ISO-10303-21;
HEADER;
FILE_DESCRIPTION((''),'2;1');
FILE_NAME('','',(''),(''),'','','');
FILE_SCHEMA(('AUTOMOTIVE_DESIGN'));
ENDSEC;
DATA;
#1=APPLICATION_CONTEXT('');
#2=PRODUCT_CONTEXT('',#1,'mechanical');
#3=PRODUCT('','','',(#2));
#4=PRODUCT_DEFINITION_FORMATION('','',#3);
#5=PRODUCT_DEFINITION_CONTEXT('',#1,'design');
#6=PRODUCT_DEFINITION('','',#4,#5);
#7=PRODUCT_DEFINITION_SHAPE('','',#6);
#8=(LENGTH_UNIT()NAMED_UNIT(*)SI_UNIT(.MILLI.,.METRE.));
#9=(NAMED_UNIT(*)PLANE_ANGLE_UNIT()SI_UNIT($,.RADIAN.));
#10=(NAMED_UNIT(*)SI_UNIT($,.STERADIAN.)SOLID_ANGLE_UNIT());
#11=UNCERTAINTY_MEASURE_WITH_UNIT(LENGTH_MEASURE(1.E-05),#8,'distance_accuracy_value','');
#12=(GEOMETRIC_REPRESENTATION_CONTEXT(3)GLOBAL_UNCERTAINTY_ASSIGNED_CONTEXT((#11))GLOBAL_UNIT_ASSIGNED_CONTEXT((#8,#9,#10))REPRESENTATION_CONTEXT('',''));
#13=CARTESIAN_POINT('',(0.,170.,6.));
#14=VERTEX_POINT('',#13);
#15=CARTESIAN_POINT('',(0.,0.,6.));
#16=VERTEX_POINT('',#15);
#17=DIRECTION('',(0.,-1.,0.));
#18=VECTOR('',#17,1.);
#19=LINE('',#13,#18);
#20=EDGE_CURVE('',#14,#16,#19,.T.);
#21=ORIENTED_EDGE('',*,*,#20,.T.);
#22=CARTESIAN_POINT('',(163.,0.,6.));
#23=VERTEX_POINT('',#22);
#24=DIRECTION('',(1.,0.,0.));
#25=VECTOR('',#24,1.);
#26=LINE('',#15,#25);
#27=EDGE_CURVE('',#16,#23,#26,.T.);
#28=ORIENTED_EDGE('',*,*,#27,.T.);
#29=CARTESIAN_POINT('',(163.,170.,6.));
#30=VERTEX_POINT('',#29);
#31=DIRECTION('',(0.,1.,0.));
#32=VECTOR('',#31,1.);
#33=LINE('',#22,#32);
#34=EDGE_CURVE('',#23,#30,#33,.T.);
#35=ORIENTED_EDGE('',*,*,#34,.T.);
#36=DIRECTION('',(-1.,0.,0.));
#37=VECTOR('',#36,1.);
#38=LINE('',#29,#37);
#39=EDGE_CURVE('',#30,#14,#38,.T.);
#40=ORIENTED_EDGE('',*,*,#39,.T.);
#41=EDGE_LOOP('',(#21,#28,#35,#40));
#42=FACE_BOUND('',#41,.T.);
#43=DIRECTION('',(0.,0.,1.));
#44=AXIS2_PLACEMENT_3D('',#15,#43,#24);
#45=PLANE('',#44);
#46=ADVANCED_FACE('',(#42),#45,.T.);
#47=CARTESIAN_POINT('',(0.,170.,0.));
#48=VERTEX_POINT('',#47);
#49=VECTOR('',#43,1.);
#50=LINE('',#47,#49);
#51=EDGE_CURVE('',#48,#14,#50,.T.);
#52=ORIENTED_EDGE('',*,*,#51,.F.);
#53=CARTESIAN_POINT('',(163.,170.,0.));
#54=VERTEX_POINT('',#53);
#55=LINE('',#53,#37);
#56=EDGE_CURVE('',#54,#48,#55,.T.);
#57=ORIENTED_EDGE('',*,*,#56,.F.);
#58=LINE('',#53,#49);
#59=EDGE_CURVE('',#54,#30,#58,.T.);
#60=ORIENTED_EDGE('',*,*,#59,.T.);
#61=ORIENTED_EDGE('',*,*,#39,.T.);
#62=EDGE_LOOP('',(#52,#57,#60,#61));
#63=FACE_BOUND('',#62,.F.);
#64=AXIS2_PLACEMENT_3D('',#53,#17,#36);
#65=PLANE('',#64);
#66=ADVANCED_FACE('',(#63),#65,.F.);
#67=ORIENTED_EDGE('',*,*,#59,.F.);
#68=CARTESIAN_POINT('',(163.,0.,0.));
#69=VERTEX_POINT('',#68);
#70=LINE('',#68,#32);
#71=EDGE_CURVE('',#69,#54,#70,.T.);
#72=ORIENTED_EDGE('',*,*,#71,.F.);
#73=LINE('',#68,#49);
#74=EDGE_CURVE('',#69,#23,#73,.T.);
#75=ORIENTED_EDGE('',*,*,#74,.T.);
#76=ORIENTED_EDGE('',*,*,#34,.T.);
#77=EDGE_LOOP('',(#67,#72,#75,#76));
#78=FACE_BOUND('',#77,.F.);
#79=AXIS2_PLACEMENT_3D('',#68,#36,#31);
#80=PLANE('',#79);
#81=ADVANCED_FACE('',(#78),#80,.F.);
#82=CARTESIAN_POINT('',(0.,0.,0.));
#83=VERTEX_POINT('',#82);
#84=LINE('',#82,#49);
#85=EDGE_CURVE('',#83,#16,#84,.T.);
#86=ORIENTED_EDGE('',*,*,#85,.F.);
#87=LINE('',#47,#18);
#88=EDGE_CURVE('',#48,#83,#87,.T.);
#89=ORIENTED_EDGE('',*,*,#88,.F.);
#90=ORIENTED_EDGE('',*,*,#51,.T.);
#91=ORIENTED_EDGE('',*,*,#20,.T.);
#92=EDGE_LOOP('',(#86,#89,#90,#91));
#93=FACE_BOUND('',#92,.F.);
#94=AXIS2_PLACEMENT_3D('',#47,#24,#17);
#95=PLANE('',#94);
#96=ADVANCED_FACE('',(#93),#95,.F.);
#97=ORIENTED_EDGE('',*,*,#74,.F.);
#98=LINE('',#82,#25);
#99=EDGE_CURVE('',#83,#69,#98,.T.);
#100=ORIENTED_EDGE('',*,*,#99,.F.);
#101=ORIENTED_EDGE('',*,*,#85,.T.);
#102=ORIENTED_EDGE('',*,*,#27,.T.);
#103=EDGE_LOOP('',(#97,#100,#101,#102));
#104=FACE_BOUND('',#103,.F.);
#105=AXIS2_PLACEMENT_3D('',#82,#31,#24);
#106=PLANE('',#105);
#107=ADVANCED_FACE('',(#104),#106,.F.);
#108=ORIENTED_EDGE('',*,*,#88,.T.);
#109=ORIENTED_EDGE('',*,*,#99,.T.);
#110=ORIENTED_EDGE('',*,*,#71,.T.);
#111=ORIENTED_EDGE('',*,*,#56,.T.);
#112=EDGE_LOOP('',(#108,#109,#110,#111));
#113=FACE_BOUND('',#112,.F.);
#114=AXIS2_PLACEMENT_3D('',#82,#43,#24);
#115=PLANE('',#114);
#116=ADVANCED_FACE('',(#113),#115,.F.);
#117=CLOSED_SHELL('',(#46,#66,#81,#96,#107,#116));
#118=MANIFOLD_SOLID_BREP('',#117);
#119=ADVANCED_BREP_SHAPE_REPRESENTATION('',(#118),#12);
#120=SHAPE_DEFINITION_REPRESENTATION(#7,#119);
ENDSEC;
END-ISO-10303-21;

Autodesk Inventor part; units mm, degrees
ref_plane "YZ Plane" through (0, 0, 0) normal (1, 0, 0) x (0, 1, 0)
ref_plane "XZ Plane" through (0, 0, 0) normal (0, 1, 0) x (-1, 0, 0)
ref_plane "XY Plane" through (0, 0, 0) normal (0, 0, 1) x (1, 0, 0)
sketch "Sketch1" plane through (0, 0, 0) normal (0, 0, 1) x (1, 0, 0)
  line L0 (0, 0) -> (163, 0)
  line L1 (163, 0) -> (163, 170)
  line L2 (163, 170) -> (0, 170)
  line L3 (0, 170) -> (0, 0)
  dimension "d0" = 170
  dimension "d1" = 163
extrude "Extrusion1" add sketch "Sketch1" along normal blind 6
properties material "Rubber"
